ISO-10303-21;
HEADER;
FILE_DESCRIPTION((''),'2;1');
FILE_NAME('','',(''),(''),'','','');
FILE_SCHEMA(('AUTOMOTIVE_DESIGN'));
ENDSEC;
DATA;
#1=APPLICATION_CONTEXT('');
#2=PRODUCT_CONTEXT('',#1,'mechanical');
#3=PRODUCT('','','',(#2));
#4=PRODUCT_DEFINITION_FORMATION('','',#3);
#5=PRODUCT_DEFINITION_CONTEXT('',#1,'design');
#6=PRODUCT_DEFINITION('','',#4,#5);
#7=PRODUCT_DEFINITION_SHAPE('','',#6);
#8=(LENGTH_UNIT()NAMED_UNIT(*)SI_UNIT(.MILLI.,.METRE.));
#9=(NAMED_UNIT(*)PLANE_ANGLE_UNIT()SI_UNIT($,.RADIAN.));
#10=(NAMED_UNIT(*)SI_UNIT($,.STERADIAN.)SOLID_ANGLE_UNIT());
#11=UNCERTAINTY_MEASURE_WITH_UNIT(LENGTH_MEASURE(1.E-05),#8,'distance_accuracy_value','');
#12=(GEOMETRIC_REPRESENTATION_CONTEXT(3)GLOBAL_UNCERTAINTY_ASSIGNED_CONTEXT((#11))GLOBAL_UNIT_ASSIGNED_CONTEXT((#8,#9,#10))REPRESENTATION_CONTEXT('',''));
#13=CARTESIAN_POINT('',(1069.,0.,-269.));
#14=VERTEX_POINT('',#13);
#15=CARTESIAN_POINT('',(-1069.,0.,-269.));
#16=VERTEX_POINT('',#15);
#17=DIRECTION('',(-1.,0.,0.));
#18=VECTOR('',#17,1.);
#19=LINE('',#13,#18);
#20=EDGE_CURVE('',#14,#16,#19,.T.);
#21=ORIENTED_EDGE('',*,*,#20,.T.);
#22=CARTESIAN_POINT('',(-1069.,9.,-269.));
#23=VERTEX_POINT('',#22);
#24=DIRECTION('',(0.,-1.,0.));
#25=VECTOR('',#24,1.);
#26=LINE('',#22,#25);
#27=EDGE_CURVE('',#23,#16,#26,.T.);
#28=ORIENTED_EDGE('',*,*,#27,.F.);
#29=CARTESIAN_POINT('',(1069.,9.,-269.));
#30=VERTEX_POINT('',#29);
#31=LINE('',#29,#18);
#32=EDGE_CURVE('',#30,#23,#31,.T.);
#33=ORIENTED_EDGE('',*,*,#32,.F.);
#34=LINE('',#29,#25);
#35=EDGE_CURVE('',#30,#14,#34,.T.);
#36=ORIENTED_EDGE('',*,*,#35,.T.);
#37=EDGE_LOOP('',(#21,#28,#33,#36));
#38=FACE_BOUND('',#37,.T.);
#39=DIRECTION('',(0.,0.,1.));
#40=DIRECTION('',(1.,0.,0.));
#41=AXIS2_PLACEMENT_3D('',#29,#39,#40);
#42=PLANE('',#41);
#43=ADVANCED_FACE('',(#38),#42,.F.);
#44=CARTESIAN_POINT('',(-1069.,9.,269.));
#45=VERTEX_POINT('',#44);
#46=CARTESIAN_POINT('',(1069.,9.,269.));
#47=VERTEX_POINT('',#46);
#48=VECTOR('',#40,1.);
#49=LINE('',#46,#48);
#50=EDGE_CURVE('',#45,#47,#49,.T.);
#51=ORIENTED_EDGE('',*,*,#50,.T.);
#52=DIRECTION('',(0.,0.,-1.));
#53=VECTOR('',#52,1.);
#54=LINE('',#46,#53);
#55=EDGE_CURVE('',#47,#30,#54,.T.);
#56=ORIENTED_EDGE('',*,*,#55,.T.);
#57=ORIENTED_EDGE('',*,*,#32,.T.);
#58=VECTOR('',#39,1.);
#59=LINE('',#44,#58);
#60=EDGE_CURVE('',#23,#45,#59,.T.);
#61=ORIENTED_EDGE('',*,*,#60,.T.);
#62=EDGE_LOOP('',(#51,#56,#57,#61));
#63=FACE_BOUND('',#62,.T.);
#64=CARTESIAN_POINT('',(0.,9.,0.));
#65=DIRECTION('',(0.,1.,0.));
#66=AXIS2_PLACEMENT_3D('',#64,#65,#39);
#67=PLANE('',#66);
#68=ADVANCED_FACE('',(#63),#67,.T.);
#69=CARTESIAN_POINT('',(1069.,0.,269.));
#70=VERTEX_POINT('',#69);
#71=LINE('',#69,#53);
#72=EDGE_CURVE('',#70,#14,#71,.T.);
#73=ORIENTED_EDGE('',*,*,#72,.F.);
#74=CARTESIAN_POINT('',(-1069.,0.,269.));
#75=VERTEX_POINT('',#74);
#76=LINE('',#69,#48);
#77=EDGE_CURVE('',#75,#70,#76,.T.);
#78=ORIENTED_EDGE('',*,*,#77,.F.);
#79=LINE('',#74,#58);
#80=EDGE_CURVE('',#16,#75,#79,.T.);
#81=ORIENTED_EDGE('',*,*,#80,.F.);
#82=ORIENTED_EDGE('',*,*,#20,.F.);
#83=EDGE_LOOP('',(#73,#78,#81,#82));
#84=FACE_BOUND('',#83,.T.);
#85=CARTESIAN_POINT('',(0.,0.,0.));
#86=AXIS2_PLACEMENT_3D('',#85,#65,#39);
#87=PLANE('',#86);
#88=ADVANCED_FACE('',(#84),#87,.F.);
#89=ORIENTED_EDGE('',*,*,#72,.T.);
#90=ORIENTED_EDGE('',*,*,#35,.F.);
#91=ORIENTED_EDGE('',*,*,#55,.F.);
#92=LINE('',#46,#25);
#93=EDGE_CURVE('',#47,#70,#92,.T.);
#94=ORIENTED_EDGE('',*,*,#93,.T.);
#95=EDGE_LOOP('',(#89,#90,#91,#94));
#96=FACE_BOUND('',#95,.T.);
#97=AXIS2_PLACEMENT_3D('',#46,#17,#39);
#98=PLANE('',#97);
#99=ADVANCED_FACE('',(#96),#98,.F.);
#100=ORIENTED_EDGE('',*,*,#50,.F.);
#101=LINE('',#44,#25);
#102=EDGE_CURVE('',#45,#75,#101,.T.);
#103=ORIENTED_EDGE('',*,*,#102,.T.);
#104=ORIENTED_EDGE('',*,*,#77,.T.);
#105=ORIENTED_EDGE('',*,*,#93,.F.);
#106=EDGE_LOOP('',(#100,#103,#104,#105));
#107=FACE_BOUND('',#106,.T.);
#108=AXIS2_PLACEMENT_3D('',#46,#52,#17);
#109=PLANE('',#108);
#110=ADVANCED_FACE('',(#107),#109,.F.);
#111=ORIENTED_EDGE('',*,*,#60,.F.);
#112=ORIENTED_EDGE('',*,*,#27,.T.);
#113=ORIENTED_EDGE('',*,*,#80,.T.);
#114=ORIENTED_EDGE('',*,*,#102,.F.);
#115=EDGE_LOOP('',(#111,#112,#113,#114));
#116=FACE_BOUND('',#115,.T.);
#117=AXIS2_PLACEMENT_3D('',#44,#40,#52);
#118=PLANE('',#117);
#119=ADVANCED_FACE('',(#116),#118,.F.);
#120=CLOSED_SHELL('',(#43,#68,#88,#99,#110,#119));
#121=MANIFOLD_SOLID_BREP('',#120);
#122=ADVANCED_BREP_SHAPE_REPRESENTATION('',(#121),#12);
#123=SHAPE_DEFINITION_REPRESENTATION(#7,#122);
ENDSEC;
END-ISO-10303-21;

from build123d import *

# Parameters (mm, degrees)
SKETCH_1_W      = 2138
SKETCH_1_H      = 538
EXTRUDE_1_DEPTH = 9


with BuildPart() as part:
    # Эскиз1 → Бобышка-Вытянуть1 (new body)
    with BuildSketch(Plane(origin=(0, 0, 0), x_dir=(1, 0, 0), z_dir=(0, 1, 0))):
        Rectangle(SKETCH_1_W, SKETCH_1_H)
    extrude(amount=EXTRUDE_1_DEPTH)


solid = part.part
